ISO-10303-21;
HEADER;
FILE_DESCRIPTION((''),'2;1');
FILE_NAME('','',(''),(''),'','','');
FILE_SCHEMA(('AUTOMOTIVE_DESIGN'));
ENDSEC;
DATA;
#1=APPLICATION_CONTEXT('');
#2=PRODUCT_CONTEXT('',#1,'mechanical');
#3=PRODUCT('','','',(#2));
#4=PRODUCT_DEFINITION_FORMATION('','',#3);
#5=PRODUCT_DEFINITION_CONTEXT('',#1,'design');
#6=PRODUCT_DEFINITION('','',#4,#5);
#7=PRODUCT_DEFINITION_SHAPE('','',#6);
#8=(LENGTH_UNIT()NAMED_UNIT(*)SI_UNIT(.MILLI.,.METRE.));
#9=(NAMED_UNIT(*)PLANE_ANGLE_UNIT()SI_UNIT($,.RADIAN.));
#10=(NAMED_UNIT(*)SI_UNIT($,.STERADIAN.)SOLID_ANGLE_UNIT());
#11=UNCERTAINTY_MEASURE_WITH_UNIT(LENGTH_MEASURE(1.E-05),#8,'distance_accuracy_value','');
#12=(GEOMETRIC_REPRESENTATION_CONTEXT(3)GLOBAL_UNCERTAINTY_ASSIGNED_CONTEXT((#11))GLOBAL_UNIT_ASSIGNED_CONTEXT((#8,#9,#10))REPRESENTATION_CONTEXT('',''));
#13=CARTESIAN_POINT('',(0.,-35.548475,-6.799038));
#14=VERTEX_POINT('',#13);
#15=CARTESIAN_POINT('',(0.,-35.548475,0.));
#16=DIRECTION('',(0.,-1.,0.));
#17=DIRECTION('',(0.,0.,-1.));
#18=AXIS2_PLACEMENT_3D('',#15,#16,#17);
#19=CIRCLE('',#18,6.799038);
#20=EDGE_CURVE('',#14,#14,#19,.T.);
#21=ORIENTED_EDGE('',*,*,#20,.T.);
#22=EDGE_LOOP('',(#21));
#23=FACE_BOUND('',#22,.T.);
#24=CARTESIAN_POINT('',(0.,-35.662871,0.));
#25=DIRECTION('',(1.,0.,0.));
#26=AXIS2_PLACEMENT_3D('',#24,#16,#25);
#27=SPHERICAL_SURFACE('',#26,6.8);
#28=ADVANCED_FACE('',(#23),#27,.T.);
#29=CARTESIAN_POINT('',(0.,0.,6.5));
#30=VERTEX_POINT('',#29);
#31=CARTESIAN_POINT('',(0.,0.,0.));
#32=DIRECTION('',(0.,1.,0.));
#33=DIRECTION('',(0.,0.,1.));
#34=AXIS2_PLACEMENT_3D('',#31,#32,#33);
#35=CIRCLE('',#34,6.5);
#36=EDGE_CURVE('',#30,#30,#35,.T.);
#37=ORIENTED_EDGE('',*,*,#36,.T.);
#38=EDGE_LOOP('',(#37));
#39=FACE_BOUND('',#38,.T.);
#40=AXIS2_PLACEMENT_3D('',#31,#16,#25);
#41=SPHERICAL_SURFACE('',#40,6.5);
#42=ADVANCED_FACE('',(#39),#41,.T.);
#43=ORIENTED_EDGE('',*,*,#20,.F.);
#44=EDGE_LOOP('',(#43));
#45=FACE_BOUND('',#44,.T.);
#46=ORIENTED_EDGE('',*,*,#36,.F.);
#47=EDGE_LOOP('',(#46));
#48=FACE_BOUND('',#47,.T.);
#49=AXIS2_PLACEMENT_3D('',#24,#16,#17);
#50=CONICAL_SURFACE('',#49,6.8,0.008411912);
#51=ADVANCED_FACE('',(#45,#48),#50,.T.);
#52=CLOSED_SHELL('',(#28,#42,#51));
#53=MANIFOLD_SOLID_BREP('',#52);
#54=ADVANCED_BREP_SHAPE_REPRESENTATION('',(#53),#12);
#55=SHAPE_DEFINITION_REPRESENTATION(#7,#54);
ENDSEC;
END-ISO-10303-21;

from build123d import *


with BuildPart() as part:
    # Sketch1 → Diafisis (revolve)
    with BuildSketch(Plane.XY, mode=Mode.PRIVATE) as diafisis_sk:
        Polygon((0, 0), (6.5, 0), (6.8, -35.662871488), (0, -35.662871488), align=None)
    revolve(diafisis_sk.sketch.rotate(Axis((0, -39.662871488, 0), (0, 1, 0)), 90), axis=Axis((0, -39.662871488, 0), (0, 1, 0)))

    # Sketch2 → Union_proximal (revolve)
    with BuildSketch(Plane.XY):
        with BuildLine():
            Line((0, -6.5), (0, 6.5))
            ThreePointArc((0, 6.5), (6.5, 0), (0, -6.5))
        make_face()
    revolve(axis=Axis((0, -10.5, 0), (0, 1, 0)))

    # Sketch3 → Union_distal (revolve)
    with BuildSketch(Plane.XY):
        with BuildLine():
            Line((0, -42.462871488), (0, -28.862871488))
            ThreePointArc((0, -28.862871488), (6.8, -35.662871488), (0, -42.462871488))
        make_face()
    revolve(axis=Axis((0, -46.462871488, 0), (0, 1, 0)))


solid = part.part
